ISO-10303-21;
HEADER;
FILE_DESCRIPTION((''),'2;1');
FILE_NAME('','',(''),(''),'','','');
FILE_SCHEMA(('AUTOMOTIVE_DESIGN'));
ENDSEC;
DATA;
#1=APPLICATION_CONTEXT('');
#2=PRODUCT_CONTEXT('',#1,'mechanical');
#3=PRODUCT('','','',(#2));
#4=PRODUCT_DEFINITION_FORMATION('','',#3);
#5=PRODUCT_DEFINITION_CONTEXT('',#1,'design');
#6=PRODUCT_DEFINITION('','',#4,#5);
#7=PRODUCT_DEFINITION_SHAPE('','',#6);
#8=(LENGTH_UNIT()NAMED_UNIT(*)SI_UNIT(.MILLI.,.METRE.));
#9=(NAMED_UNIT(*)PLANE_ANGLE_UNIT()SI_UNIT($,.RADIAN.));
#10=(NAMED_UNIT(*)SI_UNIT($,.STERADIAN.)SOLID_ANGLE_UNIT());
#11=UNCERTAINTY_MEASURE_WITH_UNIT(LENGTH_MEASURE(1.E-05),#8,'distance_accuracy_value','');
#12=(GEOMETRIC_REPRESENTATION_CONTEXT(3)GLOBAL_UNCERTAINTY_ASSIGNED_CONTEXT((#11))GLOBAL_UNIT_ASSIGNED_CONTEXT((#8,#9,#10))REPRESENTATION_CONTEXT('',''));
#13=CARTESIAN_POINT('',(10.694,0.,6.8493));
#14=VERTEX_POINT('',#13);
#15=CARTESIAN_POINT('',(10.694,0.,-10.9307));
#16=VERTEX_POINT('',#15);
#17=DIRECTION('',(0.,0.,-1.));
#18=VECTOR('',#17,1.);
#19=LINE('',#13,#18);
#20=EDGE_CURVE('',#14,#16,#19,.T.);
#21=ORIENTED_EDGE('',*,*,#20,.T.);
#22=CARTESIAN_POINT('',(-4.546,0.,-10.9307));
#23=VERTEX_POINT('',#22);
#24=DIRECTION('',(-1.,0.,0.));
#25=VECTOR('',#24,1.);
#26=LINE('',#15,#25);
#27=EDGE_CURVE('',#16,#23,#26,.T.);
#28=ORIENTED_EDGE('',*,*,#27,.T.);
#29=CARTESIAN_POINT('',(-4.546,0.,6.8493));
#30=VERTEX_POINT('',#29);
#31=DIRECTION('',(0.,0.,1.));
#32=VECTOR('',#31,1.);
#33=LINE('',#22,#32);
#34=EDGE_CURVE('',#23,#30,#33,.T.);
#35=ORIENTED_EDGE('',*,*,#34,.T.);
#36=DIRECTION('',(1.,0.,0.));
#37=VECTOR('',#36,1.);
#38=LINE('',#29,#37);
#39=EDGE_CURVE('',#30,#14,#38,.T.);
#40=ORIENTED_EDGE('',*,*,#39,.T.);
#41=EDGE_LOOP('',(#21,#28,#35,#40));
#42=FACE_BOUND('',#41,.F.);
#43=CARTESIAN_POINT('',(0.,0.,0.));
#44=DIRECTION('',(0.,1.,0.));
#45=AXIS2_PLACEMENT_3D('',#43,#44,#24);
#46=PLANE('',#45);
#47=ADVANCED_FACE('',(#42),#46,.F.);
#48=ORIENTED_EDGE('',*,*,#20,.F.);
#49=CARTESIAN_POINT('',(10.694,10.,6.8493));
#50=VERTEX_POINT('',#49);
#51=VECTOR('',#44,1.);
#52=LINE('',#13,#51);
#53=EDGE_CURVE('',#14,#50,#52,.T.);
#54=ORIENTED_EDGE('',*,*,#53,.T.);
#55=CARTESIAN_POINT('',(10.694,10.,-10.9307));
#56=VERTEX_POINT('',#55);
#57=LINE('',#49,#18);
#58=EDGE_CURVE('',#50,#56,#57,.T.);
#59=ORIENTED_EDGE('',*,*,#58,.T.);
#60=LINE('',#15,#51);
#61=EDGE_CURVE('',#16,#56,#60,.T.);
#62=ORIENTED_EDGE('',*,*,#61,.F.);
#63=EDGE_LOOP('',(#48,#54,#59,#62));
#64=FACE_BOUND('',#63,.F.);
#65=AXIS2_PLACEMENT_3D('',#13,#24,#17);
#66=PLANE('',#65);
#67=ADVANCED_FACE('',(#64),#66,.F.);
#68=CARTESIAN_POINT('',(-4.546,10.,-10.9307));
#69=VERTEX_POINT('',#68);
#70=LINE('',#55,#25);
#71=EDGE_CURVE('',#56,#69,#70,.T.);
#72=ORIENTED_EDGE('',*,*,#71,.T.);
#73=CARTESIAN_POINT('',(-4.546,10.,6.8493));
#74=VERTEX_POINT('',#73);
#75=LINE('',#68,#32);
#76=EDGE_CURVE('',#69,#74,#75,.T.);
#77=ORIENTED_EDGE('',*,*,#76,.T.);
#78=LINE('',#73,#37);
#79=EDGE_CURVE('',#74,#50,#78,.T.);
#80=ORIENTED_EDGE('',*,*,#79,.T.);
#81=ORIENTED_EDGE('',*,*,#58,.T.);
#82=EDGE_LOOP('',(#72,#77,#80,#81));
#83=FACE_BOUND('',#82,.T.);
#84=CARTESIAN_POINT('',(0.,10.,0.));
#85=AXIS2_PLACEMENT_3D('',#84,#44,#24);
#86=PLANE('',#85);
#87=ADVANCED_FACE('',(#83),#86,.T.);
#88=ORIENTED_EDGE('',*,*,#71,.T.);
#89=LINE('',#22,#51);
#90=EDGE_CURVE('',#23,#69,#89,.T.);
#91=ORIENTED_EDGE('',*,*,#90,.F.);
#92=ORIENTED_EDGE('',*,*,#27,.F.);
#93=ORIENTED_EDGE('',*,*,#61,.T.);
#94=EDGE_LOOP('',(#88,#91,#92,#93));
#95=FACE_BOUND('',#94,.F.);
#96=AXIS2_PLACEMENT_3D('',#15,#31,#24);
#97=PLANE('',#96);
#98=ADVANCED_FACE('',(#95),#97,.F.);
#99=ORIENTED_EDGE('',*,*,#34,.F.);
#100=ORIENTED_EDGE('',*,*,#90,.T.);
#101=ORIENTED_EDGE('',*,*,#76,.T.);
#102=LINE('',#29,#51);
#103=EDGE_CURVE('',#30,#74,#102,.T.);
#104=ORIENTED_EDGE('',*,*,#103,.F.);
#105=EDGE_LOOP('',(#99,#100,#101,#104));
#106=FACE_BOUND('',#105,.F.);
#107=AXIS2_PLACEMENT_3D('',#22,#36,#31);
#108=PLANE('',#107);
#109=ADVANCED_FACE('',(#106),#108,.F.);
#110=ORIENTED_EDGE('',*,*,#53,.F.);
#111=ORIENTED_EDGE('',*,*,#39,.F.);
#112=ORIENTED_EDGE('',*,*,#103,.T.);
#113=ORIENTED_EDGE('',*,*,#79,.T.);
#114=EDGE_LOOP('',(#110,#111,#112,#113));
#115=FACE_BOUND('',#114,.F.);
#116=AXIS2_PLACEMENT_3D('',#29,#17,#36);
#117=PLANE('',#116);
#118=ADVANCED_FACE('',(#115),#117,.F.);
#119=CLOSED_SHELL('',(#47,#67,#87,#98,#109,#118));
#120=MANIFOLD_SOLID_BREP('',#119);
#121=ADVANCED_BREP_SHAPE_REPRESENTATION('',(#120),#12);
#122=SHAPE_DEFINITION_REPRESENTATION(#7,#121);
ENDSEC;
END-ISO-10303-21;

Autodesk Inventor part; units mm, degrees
ref_plane "YZ Plane" through (0, 0, 0) normal (1, 0, 0) x (0, 1, 0)
ref_plane "XZ Plane" through (0, 0, 0) normal (0, 1, 0) x (-1, 0, 0)
ref_plane "XY Plane" through (0, 0, 0) normal (0, 0, 1) x (1, 0, 0)
sketch "Sketch1" plane through (0, 0, 0) normal (0, 1, 0) x (-1, 0, 0)
  line L0 (4.546, 6.8493) -> (-10.694, 6.8493)
  line L1 (-10.694, 6.8493) -> (-10.694, -10.9307)
  line L2 (-10.694, -10.9307) -> (4.546, -10.9307)
  line L3 (4.546, -10.9307) -> (4.546, 6.8493)
  point P0 (0, 0)
  dimension "d0" = 17.78
  dimension "d1" = 15.24
extrude "Extrusion1" add sketch "Sketch1" along normal blind 10
properties part number "AmplifierBlock1"
